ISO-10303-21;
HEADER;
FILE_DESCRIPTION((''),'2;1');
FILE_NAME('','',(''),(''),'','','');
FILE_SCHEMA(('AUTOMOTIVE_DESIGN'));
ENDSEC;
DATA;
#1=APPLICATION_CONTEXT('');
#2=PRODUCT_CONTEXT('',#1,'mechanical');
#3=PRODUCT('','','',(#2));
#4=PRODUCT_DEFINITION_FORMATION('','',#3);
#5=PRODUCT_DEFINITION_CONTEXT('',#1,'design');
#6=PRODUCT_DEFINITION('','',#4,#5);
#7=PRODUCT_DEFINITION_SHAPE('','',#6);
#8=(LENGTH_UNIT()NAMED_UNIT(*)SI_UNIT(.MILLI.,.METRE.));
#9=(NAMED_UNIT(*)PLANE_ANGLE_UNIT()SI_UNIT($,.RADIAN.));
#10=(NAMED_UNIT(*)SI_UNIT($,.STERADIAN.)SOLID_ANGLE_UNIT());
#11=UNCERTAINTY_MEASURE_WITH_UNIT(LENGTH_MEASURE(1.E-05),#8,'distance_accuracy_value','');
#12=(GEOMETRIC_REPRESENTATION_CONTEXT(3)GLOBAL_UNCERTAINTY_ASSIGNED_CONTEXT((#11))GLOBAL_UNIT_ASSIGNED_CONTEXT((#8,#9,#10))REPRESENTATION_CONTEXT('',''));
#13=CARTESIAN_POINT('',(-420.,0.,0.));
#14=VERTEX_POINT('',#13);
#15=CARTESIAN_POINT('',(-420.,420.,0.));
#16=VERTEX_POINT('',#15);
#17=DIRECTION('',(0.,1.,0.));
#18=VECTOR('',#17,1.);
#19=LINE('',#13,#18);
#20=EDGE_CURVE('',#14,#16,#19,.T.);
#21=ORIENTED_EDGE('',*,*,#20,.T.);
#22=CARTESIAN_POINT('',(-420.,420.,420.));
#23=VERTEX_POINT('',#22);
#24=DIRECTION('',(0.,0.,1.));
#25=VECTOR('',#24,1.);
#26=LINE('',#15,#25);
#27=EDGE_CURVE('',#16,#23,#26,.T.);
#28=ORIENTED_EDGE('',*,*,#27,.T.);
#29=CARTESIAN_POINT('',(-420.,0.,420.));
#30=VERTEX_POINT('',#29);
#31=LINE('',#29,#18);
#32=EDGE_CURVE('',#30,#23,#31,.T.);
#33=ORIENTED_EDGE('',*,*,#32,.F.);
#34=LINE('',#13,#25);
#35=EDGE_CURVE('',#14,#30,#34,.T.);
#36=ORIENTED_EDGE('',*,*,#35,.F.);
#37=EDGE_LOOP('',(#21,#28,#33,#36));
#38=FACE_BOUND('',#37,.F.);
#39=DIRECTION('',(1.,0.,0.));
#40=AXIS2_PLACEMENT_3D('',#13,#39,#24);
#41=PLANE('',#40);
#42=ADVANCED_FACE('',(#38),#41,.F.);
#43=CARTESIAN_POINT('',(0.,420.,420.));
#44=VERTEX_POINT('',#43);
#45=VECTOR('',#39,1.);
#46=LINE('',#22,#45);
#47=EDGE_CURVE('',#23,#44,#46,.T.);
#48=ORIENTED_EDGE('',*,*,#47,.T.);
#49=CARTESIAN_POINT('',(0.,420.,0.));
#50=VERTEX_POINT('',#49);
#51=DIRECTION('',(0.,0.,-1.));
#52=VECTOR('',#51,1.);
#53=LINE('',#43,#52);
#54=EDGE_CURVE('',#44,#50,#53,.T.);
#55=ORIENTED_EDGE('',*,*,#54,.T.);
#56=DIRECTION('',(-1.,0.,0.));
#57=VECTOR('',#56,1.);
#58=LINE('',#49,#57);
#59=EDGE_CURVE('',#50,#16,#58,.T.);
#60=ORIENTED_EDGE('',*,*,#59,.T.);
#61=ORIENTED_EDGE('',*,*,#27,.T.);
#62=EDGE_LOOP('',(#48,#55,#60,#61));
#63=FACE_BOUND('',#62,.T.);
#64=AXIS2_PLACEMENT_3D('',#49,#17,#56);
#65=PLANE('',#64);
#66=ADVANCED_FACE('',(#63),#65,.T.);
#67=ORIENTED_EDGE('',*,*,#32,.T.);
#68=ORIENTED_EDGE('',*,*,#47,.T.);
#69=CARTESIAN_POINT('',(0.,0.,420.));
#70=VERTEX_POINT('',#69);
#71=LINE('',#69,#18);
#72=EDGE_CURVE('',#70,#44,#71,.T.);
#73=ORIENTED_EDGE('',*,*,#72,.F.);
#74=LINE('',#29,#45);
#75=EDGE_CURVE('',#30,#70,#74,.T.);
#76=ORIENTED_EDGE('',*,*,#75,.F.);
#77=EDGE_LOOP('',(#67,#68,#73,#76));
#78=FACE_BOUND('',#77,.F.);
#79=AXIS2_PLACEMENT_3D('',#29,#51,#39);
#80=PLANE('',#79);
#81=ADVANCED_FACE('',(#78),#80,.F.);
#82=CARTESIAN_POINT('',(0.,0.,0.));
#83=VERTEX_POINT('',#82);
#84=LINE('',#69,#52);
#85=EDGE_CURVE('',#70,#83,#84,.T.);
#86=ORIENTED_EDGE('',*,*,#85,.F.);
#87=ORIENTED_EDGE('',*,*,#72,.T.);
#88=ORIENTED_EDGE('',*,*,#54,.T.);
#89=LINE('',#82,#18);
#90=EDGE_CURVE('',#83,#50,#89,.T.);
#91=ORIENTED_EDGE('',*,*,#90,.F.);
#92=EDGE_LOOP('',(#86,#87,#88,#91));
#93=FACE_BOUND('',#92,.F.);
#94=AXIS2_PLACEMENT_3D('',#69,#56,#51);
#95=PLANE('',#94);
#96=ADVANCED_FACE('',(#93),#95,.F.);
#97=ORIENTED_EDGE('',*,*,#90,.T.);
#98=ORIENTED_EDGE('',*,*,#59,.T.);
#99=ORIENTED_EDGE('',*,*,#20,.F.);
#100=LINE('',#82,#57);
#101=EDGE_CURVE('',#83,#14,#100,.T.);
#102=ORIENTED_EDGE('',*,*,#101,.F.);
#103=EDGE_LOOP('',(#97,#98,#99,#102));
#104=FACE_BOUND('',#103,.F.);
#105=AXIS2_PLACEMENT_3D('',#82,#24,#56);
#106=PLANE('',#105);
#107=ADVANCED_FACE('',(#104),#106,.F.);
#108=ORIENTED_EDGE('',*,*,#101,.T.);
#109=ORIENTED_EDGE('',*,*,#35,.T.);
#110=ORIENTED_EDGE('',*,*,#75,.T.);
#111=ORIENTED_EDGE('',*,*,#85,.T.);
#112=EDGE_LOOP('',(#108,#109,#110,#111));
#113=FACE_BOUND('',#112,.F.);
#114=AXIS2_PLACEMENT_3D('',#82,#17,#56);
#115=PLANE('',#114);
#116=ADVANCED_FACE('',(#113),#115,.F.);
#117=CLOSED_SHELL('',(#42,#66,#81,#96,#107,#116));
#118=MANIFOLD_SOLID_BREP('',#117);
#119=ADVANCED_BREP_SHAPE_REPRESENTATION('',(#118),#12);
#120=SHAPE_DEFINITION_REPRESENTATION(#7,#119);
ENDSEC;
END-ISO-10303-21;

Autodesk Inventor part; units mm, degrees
ref_plane "YZ Plane" through (0, 0, 0) normal (1, 0, 0) x (0, 1, 0)
ref_plane "XZ Plane" through (0, 0, 0) normal (0, 1, 0) x (-1, 0, 0)
ref_plane "XY Plane" through (0, 0, 0) normal (0, 0, 1) x (1, 0, 0)
sketch "Sketch1" plane through (0, 0, 0) normal (0, 1, 0) x (-1, 0, 0)
  line L0 (0, 0) -> (420, 0)
  line L1 (420, 0) -> (420, 420)
  line L2 (420, 420) -> (0, 420)
  line L3 (0, 420) -> (0, 0)
  dimension "d0" = 420
  dimension "d1" = 420
extrude "Extrusion1" add sketch "Sketch1" along normal blind 420
properties part number "ImprimanteDario"
